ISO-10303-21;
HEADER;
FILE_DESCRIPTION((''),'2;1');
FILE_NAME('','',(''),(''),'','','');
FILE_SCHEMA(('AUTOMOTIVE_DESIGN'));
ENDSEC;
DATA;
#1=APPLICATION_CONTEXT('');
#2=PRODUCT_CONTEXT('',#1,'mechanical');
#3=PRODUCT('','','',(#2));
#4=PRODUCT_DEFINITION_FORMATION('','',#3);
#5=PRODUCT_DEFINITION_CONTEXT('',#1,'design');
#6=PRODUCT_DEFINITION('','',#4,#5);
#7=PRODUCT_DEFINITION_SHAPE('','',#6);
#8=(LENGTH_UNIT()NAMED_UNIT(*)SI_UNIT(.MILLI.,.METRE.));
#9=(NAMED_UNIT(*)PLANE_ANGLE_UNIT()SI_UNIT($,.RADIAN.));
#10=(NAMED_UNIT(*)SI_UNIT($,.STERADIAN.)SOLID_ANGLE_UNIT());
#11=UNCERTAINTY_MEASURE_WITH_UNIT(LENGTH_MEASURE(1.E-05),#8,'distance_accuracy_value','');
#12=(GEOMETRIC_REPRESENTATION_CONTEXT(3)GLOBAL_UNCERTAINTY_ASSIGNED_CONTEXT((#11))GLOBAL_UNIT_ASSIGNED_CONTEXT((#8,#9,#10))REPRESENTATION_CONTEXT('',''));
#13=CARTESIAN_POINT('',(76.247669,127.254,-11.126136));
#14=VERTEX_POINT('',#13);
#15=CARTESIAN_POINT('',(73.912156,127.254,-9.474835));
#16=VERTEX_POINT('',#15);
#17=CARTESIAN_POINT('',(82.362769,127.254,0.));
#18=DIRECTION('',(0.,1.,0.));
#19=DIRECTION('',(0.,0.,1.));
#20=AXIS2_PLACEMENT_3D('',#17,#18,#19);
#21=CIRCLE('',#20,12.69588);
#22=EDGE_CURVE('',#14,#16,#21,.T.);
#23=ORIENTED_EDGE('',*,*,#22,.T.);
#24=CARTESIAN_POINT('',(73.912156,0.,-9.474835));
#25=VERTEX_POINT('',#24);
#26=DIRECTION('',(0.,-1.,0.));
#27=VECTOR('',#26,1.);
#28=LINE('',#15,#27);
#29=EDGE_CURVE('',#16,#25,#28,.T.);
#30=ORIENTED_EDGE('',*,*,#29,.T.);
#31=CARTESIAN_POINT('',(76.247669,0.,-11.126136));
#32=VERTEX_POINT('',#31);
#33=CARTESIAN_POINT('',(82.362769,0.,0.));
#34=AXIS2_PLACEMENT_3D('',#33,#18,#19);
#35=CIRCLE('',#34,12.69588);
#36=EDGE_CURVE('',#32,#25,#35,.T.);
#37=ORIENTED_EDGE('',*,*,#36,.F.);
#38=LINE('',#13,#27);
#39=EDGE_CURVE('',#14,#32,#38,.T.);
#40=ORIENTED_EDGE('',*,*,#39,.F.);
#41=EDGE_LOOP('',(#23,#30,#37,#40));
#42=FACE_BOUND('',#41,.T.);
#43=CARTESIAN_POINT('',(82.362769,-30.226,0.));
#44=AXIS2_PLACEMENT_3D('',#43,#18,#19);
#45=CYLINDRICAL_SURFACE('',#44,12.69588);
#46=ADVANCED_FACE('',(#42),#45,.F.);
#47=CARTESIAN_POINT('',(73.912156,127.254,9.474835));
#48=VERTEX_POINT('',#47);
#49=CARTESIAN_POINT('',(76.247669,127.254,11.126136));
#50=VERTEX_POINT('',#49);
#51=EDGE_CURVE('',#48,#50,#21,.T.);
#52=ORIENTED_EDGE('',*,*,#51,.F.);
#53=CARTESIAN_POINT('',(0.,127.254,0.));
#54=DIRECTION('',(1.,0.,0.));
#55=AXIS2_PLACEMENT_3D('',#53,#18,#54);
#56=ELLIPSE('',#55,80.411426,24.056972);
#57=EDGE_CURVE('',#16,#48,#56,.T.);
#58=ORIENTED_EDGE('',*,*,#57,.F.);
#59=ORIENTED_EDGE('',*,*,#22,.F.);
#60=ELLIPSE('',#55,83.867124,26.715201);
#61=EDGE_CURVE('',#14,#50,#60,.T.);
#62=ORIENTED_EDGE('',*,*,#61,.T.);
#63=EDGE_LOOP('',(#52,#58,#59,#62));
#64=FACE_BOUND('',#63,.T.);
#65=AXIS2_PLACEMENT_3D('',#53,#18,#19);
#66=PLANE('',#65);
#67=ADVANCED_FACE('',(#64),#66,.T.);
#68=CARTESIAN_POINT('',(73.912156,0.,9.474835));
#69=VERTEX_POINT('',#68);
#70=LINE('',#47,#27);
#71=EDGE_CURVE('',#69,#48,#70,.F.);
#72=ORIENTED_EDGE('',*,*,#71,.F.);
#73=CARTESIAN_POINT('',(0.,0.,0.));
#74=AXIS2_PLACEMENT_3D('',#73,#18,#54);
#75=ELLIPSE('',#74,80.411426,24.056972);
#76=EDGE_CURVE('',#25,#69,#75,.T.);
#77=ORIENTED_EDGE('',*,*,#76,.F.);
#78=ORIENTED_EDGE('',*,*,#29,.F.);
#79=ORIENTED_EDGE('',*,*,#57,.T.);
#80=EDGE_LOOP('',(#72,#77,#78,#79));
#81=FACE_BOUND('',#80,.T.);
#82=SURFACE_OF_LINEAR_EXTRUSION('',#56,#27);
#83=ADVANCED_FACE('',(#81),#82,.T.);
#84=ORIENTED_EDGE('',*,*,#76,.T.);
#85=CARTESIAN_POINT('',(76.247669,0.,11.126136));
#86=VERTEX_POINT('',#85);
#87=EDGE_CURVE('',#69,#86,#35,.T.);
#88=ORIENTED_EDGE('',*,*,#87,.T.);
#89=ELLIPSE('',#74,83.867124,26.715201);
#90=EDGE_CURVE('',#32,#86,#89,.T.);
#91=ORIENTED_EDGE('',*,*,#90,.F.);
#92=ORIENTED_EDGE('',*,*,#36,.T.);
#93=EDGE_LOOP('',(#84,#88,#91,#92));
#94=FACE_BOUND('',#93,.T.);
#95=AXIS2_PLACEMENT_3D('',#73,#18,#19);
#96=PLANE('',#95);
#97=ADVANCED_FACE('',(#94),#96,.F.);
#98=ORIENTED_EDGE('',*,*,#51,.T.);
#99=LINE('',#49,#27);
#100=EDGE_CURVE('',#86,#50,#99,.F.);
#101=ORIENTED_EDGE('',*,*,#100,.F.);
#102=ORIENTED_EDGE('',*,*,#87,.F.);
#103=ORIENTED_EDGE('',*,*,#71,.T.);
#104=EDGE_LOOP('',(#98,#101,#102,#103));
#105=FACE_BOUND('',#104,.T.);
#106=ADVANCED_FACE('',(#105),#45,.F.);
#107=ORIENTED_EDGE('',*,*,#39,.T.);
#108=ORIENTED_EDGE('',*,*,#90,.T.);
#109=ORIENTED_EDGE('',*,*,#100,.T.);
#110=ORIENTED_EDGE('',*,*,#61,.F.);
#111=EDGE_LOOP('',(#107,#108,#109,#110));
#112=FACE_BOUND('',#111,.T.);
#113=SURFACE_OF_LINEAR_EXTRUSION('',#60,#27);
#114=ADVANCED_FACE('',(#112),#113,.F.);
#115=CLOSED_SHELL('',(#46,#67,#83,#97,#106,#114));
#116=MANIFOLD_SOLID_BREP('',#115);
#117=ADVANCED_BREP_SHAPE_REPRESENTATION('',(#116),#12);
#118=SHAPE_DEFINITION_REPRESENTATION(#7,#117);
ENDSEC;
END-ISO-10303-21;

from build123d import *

# Parameters (mm, degrees)
SKETCH1_RX          = 83.867123974
SKETCH1_RY          = 26.715201139
SKETCH1_RX_2        = 80.411426315
SKETCH1_RY_2        = 24.05697217
BOSS_EXTRUDE1_DEPTH = 127.254
SKETCH2_R           = 12.695879526
CUT_EXTRUDE1_DEPTH  = 157.48


with BuildPart() as part:
    # Sketch1 → Boss-Extrude1 (new body)
    with BuildSketch(Plane(origin=(0, 0, 0), x_dir=(1, 0, 0), z_dir=(0, 1, 0))):
        with Locations((0, 0)):
            Ellipse(SKETCH1_RX, SKETCH1_RY)
        with Locations((0, 0)):
            Ellipse(SKETCH1_RX_2, SKETCH1_RY_2, mode=Mode.SUBTRACT)
    extrude(amount=BOSS_EXTRUDE1_DEPTH)

    # Sketch2 → Cut-Extrude1 (cut)
    with BuildSketch(Plane(origin=(0, 127.254, 0), x_dir=(1, 0, 0), z_dir=(0, 1, 0))):
        with Locations((82.362769104, 0)):
            Circle(SKETCH2_R)
    extrude(amount=-CUT_EXTRUDE1_DEPTH, mode=Mode.SUBTRACT)


solid = part.part
